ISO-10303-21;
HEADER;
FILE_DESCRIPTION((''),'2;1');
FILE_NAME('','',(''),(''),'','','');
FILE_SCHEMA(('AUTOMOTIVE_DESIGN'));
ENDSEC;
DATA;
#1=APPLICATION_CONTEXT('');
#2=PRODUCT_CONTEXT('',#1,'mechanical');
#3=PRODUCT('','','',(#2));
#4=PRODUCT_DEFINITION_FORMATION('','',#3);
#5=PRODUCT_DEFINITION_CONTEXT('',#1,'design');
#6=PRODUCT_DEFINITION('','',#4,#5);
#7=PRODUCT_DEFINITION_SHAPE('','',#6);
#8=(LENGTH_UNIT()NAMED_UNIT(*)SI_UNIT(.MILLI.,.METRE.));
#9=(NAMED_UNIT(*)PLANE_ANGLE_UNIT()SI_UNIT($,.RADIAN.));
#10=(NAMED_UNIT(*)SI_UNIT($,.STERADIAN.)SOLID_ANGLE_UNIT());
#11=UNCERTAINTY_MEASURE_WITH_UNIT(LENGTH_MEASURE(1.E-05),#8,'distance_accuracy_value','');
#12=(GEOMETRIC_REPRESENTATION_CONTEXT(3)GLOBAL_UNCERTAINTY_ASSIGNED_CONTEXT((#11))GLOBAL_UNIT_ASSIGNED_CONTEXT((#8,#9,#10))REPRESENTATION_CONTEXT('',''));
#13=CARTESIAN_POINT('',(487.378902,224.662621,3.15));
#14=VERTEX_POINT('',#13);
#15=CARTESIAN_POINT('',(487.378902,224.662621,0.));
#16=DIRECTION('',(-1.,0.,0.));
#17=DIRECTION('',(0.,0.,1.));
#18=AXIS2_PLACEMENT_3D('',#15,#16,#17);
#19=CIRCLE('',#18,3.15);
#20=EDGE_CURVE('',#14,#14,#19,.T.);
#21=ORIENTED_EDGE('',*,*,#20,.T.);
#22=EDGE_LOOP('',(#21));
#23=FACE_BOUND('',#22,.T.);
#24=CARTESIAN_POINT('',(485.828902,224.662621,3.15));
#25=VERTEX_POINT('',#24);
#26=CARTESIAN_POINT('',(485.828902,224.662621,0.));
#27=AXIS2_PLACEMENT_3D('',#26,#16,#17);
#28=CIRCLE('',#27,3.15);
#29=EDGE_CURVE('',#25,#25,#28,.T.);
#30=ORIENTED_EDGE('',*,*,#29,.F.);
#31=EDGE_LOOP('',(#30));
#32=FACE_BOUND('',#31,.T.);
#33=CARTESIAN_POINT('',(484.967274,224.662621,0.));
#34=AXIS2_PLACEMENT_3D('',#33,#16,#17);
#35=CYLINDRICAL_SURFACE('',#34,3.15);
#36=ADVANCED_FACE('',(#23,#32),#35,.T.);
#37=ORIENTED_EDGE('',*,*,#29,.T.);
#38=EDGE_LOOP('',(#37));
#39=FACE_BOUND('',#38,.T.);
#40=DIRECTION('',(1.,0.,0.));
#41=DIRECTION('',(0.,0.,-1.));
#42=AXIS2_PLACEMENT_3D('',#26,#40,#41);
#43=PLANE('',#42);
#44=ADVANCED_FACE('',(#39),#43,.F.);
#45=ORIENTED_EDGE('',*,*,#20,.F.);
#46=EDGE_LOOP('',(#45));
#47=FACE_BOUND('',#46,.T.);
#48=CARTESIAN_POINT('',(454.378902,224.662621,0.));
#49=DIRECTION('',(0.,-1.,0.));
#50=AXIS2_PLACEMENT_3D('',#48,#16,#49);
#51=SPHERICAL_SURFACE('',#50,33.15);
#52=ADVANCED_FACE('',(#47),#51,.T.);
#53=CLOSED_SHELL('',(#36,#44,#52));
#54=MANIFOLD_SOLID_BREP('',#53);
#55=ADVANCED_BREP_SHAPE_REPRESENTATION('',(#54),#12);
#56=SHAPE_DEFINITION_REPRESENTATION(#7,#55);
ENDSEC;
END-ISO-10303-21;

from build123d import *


with BuildPart() as part:
    # 草图1 → 旋转1 (revolve)
    with BuildSketch(Plane.XY, mode=Mode.PRIVATE) as revolve_1_sk:
        with BuildLine():
            Line((485.828902489, 224.662621286), (485.828902489, 227.812621286))
            Line((485.828902489, 227.812621286), (487.378902489, 227.812621286))
            ThreePointArc((487.378902489, 227.812621286), (487.491381254, 226.23940599), (487.528902489, 224.662621286))
            Line((487.528902489, 224.662621286), (485.828902489, 224.662621286))
        make_face()
    revolve(revolve_1_sk.sketch.rotate(Axis((484.967274319, 224.662621286, 0), (1, 0, 0)), 180), axis=Axis((484.967274319, 224.662621286, 0), (1, 0, 0)))  # turned: the seam where the file's is


solid = part.part
